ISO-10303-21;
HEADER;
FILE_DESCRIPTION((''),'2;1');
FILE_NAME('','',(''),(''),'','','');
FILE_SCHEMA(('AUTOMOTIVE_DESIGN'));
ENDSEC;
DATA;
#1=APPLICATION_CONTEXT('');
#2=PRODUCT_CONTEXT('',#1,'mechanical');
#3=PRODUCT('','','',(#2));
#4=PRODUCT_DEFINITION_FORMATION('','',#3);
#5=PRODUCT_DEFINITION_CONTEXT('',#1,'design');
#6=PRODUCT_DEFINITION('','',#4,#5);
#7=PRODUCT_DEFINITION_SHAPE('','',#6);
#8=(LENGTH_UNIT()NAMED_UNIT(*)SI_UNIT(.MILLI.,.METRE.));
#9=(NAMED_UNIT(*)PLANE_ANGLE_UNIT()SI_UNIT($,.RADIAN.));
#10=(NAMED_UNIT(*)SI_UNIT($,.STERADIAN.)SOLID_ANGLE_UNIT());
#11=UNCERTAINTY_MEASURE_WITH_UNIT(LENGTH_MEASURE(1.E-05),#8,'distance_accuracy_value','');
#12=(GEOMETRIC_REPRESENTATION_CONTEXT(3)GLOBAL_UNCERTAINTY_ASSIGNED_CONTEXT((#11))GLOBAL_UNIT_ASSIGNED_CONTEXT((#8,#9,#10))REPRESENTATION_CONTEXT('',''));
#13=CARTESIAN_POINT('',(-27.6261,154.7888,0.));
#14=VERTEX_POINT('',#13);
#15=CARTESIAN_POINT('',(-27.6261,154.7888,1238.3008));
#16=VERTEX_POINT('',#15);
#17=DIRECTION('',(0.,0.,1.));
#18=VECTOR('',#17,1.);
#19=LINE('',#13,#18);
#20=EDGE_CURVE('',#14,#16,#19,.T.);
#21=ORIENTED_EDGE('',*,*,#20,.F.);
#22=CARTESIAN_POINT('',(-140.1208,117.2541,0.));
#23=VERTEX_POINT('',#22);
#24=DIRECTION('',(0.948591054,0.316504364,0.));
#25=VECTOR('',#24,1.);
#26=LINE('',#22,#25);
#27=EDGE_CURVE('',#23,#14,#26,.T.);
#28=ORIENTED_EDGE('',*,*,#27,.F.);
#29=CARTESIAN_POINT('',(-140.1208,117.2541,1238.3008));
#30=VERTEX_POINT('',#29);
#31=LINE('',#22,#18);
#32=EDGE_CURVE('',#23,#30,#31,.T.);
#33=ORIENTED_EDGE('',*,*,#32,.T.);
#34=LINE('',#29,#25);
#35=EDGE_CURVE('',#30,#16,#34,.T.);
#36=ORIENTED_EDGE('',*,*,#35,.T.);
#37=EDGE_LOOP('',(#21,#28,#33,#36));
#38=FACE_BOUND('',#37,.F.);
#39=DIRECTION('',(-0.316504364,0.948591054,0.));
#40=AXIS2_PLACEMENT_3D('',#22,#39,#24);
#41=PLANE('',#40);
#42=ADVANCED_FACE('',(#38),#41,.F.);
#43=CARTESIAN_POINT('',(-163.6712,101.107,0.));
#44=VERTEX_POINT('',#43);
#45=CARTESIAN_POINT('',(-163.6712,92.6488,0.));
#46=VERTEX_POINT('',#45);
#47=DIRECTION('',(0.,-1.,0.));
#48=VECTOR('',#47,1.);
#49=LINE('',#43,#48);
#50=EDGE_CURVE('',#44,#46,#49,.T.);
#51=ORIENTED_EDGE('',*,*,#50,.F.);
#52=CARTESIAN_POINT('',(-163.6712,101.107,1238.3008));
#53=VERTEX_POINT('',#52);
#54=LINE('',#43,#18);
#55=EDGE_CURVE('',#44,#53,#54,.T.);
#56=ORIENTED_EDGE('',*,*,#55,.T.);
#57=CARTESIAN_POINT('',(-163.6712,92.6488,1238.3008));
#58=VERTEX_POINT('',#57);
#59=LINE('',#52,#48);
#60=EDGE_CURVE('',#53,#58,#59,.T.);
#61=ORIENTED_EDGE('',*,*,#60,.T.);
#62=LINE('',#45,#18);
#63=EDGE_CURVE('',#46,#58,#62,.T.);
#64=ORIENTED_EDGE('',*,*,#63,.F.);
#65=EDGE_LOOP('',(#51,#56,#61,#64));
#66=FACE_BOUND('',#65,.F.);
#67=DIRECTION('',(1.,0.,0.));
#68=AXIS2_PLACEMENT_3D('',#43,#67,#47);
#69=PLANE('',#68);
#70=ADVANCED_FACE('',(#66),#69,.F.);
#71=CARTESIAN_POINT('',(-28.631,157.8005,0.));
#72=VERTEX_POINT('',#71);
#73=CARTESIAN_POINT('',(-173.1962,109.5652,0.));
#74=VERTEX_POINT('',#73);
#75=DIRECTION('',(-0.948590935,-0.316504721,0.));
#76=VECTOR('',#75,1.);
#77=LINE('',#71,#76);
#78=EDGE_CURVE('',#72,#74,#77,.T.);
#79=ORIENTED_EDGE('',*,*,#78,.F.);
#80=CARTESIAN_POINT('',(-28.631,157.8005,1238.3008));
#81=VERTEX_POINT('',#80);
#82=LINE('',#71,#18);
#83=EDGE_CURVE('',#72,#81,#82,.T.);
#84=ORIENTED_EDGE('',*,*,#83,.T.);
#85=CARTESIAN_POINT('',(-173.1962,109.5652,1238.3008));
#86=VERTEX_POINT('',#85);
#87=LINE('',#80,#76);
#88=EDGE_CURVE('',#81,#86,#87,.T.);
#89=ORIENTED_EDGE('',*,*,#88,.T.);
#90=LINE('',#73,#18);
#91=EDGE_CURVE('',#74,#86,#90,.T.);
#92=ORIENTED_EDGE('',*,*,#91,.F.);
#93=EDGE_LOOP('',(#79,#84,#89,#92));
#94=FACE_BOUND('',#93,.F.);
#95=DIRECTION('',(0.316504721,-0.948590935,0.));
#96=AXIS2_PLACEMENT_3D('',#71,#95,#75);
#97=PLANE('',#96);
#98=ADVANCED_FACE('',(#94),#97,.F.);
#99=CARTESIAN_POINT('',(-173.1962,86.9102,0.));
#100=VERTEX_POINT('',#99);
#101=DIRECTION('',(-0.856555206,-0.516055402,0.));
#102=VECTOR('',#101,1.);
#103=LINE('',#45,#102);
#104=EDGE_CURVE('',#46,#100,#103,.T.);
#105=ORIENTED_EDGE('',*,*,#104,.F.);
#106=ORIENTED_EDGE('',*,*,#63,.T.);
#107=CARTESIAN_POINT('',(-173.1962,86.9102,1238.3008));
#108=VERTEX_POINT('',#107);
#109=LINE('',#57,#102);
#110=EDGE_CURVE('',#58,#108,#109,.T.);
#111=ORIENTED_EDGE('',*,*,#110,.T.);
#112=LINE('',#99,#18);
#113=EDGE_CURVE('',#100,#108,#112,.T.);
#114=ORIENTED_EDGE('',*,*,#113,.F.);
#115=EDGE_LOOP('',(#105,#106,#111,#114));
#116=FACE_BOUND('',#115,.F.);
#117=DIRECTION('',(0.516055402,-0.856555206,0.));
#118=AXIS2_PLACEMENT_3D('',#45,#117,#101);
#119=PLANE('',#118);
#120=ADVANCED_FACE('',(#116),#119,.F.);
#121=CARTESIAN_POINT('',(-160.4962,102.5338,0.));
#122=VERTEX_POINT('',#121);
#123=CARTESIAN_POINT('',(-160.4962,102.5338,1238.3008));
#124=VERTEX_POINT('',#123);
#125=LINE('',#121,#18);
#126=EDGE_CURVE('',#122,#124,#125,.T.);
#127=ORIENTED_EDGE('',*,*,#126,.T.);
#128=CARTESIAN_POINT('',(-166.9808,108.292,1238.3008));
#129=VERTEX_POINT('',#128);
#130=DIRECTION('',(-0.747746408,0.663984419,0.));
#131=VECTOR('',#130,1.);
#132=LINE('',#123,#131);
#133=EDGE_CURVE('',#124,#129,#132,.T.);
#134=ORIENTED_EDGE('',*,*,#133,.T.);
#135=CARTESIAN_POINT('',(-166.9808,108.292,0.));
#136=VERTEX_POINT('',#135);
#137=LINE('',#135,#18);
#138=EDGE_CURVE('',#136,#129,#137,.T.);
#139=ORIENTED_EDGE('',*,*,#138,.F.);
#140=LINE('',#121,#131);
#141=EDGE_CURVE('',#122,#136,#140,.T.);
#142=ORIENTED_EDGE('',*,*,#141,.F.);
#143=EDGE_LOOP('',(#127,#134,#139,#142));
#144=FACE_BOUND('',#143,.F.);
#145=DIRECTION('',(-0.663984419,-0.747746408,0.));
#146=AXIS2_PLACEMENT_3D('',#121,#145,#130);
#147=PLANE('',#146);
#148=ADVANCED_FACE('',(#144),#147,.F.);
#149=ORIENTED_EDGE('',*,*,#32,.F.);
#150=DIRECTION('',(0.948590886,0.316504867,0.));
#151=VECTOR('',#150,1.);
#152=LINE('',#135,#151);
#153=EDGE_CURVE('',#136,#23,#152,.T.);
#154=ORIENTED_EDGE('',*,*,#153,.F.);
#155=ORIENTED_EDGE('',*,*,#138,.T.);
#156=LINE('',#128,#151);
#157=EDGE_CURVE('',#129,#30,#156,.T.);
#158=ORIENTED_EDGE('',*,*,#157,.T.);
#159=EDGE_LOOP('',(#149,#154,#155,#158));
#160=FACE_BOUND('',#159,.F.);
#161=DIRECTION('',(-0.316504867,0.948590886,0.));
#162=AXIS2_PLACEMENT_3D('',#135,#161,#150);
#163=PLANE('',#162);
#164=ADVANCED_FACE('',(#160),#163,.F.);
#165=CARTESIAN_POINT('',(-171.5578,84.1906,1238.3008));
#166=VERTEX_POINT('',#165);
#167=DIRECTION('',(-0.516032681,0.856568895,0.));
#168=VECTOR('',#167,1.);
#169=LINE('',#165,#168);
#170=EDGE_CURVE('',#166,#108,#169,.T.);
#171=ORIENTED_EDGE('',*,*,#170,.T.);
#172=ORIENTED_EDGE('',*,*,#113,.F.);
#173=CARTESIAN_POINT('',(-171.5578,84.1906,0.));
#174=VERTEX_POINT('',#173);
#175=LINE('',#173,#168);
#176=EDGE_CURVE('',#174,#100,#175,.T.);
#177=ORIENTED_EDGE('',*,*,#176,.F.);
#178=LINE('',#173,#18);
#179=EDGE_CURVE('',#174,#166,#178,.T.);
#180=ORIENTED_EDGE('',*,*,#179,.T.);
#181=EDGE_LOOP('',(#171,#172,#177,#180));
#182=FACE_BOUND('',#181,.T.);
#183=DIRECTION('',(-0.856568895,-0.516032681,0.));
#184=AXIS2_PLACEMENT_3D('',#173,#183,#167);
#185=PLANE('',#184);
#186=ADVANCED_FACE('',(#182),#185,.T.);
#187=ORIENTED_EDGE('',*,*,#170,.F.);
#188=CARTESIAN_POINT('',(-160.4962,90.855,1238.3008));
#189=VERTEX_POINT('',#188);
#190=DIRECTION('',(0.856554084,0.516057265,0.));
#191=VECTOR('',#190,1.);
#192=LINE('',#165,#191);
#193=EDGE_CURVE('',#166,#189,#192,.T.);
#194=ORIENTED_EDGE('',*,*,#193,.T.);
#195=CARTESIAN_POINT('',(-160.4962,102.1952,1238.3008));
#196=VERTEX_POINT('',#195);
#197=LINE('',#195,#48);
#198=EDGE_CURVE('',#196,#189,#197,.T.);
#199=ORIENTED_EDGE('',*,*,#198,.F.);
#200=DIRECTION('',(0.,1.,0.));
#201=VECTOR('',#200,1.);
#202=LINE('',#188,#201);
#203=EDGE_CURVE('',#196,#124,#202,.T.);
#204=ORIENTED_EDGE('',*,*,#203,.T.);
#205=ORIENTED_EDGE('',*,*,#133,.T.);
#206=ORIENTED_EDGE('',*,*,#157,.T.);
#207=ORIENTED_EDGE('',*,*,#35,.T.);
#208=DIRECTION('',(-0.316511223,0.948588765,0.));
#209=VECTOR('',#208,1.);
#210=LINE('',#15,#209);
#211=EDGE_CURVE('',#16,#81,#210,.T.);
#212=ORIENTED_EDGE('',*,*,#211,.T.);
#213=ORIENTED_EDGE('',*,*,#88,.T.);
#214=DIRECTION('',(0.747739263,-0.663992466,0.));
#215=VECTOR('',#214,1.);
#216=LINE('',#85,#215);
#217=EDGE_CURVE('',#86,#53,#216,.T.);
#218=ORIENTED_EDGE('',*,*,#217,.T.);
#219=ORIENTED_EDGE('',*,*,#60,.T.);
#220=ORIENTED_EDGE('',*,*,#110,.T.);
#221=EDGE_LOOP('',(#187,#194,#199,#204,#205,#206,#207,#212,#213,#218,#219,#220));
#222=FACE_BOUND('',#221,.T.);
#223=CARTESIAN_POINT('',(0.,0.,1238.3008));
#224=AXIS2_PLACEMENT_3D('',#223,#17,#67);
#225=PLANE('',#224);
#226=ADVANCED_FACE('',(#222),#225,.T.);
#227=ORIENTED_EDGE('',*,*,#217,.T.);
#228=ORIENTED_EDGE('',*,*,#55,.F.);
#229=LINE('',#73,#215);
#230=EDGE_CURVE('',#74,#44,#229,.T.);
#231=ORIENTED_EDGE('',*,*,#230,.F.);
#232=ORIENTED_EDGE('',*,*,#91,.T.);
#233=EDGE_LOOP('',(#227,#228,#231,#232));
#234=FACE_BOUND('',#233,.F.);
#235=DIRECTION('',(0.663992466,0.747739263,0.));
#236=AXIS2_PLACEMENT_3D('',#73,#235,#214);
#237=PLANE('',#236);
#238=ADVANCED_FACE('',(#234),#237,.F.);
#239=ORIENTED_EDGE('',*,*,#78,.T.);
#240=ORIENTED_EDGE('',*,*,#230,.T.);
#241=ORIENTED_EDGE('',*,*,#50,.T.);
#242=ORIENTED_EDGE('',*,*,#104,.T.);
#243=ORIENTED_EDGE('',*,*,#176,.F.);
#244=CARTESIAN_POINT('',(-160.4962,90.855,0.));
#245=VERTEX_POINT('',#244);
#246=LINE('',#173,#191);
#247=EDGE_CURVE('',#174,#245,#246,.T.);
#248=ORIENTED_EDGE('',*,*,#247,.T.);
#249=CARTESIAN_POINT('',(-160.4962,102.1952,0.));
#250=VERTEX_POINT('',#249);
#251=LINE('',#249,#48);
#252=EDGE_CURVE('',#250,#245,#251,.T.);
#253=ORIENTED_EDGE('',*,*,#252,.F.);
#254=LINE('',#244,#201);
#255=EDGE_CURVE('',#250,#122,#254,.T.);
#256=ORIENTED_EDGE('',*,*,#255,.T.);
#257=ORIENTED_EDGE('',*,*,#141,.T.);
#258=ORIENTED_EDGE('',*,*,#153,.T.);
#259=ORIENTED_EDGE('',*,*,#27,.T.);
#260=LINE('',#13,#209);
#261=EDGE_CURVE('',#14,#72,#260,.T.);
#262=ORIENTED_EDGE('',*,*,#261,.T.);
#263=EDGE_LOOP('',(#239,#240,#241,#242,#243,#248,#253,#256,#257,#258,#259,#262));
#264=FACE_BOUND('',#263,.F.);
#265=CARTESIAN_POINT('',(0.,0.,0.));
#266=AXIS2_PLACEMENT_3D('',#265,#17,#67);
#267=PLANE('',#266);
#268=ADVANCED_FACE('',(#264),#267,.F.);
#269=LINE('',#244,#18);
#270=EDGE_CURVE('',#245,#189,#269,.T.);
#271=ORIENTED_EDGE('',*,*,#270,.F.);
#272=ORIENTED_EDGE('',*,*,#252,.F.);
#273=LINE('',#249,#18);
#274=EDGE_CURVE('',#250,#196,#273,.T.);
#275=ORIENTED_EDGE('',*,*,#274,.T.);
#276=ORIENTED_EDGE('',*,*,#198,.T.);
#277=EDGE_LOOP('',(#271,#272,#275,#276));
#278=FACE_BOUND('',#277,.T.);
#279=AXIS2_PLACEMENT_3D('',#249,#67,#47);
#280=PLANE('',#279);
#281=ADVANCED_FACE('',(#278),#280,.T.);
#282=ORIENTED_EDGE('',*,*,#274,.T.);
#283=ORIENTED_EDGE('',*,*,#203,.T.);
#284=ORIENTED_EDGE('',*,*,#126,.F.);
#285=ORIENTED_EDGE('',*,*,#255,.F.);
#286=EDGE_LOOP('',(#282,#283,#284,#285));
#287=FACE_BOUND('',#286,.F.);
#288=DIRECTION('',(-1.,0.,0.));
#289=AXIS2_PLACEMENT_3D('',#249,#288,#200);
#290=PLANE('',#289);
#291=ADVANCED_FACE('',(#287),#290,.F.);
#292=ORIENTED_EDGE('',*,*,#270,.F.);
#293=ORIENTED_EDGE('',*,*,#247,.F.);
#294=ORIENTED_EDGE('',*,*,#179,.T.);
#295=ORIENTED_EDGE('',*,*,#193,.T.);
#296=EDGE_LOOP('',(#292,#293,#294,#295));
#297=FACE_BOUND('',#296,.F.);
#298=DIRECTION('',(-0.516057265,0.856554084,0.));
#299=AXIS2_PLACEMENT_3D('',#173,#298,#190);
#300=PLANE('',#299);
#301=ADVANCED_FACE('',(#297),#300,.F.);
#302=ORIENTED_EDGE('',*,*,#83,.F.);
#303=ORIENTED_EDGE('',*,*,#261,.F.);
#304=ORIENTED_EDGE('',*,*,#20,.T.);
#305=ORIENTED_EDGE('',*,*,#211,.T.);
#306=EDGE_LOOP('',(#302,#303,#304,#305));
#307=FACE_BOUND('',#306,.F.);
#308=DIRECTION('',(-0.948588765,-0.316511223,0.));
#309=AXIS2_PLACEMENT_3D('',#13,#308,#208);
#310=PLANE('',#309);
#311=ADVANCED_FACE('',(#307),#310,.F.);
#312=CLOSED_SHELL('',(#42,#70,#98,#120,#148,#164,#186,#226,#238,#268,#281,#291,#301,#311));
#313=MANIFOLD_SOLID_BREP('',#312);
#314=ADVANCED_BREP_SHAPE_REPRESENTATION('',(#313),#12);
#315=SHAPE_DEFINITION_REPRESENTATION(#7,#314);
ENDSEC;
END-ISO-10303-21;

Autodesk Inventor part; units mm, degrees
ref_plane "YZ Plane" through (0, 0, 0) normal (1, 0, 0) x (0, 1, 0)
ref_plane "XZ Plane" through (0, 0, 0) normal (0, 1, 0) x (-1, 0, 0)
ref_plane "XY Plane" through (0, 0, 0) normal (0, 0, 1) x (1, 0, 0)
sketch "Sketch1" plane through (0, 0, 0) normal (0, 0, 1) x (1, 0, 0)
  line L0 (0, 0) -> (3294.2276, 1099.144)
  line L1 (3294.2276, 1246.4151) -> (-135.0962, 102.1952)
  line L2 (0, 0) -> (-135.0962, 0)
  line L3 (-135.0962, 0) -> (-135.0962, 102.1952)
  line L4 (-135.0962, 102.1952) -> (1627.6312, 690.3426)
  line L5 (3294.2276, 1099.144) -> (3263.9, 1099.144)
  line L6 (3294.2276, 1099.144) -> (3294.2276, 1246.4151)
  line L7 (-88.9, 0) -> (-88.9, 117.6089)
  line L8 (3263.9, 1089.025) -> (3263.9, 1236.2961)
  line L9 (-135.0962, 102.1952) -> (-160.4962, 102.1952)
  line L10 (-160.4962, 102.1952) -> (-160.4962, 0)
  line L11 (-160.4962, 0) -> (-135.0962, 0)
  line L12 (-135.0962, 102.1952) -> (-140.1208, 117.2541)
  line L13 (-140.1208, 117.2541) -> (150.6173, 214.261)
  line L14 (150.6173, 214.261) -> (155.6418, 199.2021)
  line L15 (-27.6261, 154.7888) -> (-28.631, 157.8005)
  line L16 (-28.631, 157.8005) -> (-173.1962, 109.5652)
  line L17 (-173.1962, 109.5652) -> (-163.6712, 101.107)
  line L18 (-163.6712, 101.107) -> (-163.6712, 92.6488)
  line L19 (-163.6712, 92.6488) -> (-173.1962, 86.9102)
  line L20 (-171.5578, 84.1906) -> (-160.4962, 90.855)
  line L21 (-160.4962, 90.855) -> (-160.4962, 102.5338)
  line L22 (-160.4962, 102.5338) -> (-166.9808, 108.292)
  line L23 (-166.9808, 108.292) -> (-27.6261, 154.7888)
  line L24 (-171.5578, 84.1906) -> (-173.1962, 86.9102)
  line L25 (-173.1962, 109.5652) -> (-173.1962, 86.9102)
  point P0 (-160.4962, 90.855)
  point P1 (-160.4962, 101.4128)
  dimension "d5" = 139.7
  dimension "d17" = 88.9
  dimension "d19" = 3352.8
  dimension "d23" = 30.3276
  dimension "d28" = 46.1962
  dimension "d33" = 1089.025
  dimension "d36" = 25.4
  dimension "d37" = 15.875
  dimension "d49" = 3.175
  dimension "d50" = 3.175
  dimension "d51" = 3.175
  dimension "d52" = 3.175
  dimension "d54" = 8.4582
  dimension "d55" = 8.4582
  dimension "d61" = 8.4582
  dimension "d62" = 152.4
extrude "Extrusion2" add sketch "Sketch1" along normal blind 1238.3008 contours L10 L20 L24 L19 L18 L17 L16 L15 L13 L23 L22 L21
properties part number "Drip_Edge_For_Back" material "Aluminum 6061"
